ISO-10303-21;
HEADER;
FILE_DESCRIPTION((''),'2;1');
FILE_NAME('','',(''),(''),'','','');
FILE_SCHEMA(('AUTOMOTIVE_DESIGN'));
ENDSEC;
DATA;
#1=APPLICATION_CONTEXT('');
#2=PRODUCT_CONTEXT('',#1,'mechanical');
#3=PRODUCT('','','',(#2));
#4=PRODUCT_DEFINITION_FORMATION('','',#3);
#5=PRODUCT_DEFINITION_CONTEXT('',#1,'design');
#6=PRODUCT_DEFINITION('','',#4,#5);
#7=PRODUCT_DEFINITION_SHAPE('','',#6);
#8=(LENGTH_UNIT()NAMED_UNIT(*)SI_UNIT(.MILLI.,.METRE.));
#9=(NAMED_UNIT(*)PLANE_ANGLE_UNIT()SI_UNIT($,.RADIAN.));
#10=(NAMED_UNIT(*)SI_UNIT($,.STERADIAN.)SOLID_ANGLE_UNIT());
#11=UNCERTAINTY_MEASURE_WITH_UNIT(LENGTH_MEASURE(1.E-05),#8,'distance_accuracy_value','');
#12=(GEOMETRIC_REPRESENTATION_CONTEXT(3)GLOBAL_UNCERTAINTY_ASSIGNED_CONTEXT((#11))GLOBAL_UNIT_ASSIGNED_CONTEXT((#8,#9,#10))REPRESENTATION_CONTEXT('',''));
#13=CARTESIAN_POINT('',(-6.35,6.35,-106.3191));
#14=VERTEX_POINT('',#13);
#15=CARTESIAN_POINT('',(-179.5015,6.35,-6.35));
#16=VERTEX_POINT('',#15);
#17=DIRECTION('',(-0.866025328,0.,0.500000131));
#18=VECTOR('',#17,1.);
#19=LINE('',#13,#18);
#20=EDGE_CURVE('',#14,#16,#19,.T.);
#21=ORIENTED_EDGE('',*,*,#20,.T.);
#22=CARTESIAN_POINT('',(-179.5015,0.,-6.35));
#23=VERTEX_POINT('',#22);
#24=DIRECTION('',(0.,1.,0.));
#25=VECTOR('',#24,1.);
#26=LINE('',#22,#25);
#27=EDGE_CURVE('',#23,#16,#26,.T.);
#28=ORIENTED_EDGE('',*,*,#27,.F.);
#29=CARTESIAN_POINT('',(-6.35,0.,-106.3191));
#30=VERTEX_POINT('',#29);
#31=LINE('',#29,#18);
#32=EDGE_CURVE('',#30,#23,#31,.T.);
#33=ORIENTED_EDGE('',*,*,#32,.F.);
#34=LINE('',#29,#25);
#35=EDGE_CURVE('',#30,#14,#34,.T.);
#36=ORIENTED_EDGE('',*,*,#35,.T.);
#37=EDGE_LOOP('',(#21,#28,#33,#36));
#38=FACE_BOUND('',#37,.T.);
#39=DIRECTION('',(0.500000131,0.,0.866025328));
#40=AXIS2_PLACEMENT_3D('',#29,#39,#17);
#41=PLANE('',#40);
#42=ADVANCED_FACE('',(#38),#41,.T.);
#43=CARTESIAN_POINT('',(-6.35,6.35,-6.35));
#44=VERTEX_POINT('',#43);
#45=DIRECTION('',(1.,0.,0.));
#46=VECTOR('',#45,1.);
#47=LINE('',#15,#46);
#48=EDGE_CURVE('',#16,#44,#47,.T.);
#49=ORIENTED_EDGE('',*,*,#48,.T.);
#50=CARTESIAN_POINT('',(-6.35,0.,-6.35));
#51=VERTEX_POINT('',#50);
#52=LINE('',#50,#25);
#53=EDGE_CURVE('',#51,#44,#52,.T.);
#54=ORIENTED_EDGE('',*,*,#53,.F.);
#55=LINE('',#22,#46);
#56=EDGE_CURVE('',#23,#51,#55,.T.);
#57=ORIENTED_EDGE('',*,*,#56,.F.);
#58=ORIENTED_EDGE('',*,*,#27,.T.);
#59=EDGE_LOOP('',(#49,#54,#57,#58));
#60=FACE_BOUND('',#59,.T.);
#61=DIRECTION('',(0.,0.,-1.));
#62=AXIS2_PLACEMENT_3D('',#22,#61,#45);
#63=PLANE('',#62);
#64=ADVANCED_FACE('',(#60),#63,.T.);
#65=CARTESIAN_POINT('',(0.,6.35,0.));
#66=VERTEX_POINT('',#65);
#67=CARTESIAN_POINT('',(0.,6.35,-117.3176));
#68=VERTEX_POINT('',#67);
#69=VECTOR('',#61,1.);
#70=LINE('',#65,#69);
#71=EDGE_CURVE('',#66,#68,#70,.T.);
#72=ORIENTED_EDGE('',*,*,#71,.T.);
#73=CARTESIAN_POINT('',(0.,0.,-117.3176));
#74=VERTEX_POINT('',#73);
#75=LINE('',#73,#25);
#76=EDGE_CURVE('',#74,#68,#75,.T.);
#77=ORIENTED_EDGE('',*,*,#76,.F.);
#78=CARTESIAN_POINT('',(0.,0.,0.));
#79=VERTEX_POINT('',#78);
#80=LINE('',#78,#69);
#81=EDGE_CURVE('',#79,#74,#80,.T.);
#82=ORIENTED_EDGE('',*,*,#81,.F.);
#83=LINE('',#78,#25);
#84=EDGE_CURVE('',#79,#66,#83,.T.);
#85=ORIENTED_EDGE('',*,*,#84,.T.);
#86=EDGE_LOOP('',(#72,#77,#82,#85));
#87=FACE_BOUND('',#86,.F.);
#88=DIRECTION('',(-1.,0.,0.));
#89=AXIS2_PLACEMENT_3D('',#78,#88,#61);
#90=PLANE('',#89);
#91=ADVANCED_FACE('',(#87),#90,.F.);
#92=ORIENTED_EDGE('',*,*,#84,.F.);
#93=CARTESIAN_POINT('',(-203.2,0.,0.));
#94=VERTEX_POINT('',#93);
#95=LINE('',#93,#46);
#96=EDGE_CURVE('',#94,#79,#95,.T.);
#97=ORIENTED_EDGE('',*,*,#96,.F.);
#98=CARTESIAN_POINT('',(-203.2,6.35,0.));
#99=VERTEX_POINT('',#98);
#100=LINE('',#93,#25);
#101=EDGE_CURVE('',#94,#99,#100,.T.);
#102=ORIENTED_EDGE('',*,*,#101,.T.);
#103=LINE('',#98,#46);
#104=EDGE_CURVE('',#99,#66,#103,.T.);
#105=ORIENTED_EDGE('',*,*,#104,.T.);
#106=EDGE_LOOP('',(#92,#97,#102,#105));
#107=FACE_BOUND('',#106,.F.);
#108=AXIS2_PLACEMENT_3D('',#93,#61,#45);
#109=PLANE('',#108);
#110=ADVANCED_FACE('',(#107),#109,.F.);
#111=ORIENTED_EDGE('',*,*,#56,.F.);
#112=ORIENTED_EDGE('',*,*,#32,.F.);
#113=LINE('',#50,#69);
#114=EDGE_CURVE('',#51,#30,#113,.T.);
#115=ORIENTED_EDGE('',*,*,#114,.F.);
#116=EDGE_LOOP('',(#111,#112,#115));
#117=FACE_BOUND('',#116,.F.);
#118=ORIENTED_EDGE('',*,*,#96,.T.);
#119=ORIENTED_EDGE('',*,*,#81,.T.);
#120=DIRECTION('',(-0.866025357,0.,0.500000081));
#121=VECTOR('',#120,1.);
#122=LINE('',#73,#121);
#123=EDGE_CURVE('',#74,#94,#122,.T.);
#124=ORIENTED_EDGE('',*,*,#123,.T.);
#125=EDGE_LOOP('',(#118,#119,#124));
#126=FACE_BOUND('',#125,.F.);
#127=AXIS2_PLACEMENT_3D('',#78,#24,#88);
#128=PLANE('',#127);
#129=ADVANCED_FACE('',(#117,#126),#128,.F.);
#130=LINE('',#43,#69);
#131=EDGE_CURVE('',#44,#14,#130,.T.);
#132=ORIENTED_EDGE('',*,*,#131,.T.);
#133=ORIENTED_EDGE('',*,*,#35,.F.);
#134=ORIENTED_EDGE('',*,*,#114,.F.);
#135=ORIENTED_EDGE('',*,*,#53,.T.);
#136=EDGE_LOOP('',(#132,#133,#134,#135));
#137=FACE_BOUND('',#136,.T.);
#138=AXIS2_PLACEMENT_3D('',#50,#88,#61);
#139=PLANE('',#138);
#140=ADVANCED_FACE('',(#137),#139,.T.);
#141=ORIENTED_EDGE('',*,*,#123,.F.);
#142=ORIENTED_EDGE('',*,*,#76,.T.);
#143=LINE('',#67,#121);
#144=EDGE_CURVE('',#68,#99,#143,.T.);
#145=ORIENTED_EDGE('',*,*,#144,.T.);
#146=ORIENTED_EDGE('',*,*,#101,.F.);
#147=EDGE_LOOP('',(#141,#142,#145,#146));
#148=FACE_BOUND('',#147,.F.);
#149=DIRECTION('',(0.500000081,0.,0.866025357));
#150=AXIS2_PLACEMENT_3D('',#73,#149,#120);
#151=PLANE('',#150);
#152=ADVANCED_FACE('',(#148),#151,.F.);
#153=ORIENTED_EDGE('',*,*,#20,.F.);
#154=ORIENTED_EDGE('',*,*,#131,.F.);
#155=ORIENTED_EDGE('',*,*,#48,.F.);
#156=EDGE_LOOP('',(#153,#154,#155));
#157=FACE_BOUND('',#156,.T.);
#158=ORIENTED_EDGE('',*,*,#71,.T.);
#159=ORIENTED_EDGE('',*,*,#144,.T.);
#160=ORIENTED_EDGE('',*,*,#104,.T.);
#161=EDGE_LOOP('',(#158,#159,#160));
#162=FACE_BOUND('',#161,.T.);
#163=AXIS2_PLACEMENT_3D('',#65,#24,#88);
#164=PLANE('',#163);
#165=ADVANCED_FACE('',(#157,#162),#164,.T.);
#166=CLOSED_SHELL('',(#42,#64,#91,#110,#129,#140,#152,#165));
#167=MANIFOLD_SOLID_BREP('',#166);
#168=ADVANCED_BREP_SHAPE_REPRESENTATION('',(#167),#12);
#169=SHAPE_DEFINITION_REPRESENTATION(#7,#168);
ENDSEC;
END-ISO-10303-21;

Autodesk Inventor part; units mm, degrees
ref_plane "YZ Plane" through (0, 0, 0) normal (1, 0, 0) x (0, 1, 0)
ref_plane "XZ Plane" through (0, 0, 0) normal (0, 1, 0) x (-1, 0, 0)
ref_plane "XY Plane" through (0, 0, 0) normal (0, 0, 1) x (1, 0, 0)
sketch "Sketch1" plane through (0, 0, 0) normal (0, 1, 0) x (-1, 0, 0)
  line L0 (0, 0) -> (0, -117.3176)
  line L1 (0, -117.3176) -> (203.2, 0)
  line L2 (203.2, 0) -> (0, 0)
  line L3 (179.5015, -6.35) -> (6.35, -6.35)
  line L4 (6.35, -6.35) -> (6.35, -106.3191)
  line L5 (6.35, -106.3191) -> (179.5015, -6.35)
  dimension "d0" = 203.2
  dimension "d1" = 30
  dimension "d2" = 6.35
  dimension "d3" = 6.35
  dimension "d4" = 6.35
extrude "Extrusion1" add sketch "Sketch1" along normal blind 6.35
properties part number "triangle"
